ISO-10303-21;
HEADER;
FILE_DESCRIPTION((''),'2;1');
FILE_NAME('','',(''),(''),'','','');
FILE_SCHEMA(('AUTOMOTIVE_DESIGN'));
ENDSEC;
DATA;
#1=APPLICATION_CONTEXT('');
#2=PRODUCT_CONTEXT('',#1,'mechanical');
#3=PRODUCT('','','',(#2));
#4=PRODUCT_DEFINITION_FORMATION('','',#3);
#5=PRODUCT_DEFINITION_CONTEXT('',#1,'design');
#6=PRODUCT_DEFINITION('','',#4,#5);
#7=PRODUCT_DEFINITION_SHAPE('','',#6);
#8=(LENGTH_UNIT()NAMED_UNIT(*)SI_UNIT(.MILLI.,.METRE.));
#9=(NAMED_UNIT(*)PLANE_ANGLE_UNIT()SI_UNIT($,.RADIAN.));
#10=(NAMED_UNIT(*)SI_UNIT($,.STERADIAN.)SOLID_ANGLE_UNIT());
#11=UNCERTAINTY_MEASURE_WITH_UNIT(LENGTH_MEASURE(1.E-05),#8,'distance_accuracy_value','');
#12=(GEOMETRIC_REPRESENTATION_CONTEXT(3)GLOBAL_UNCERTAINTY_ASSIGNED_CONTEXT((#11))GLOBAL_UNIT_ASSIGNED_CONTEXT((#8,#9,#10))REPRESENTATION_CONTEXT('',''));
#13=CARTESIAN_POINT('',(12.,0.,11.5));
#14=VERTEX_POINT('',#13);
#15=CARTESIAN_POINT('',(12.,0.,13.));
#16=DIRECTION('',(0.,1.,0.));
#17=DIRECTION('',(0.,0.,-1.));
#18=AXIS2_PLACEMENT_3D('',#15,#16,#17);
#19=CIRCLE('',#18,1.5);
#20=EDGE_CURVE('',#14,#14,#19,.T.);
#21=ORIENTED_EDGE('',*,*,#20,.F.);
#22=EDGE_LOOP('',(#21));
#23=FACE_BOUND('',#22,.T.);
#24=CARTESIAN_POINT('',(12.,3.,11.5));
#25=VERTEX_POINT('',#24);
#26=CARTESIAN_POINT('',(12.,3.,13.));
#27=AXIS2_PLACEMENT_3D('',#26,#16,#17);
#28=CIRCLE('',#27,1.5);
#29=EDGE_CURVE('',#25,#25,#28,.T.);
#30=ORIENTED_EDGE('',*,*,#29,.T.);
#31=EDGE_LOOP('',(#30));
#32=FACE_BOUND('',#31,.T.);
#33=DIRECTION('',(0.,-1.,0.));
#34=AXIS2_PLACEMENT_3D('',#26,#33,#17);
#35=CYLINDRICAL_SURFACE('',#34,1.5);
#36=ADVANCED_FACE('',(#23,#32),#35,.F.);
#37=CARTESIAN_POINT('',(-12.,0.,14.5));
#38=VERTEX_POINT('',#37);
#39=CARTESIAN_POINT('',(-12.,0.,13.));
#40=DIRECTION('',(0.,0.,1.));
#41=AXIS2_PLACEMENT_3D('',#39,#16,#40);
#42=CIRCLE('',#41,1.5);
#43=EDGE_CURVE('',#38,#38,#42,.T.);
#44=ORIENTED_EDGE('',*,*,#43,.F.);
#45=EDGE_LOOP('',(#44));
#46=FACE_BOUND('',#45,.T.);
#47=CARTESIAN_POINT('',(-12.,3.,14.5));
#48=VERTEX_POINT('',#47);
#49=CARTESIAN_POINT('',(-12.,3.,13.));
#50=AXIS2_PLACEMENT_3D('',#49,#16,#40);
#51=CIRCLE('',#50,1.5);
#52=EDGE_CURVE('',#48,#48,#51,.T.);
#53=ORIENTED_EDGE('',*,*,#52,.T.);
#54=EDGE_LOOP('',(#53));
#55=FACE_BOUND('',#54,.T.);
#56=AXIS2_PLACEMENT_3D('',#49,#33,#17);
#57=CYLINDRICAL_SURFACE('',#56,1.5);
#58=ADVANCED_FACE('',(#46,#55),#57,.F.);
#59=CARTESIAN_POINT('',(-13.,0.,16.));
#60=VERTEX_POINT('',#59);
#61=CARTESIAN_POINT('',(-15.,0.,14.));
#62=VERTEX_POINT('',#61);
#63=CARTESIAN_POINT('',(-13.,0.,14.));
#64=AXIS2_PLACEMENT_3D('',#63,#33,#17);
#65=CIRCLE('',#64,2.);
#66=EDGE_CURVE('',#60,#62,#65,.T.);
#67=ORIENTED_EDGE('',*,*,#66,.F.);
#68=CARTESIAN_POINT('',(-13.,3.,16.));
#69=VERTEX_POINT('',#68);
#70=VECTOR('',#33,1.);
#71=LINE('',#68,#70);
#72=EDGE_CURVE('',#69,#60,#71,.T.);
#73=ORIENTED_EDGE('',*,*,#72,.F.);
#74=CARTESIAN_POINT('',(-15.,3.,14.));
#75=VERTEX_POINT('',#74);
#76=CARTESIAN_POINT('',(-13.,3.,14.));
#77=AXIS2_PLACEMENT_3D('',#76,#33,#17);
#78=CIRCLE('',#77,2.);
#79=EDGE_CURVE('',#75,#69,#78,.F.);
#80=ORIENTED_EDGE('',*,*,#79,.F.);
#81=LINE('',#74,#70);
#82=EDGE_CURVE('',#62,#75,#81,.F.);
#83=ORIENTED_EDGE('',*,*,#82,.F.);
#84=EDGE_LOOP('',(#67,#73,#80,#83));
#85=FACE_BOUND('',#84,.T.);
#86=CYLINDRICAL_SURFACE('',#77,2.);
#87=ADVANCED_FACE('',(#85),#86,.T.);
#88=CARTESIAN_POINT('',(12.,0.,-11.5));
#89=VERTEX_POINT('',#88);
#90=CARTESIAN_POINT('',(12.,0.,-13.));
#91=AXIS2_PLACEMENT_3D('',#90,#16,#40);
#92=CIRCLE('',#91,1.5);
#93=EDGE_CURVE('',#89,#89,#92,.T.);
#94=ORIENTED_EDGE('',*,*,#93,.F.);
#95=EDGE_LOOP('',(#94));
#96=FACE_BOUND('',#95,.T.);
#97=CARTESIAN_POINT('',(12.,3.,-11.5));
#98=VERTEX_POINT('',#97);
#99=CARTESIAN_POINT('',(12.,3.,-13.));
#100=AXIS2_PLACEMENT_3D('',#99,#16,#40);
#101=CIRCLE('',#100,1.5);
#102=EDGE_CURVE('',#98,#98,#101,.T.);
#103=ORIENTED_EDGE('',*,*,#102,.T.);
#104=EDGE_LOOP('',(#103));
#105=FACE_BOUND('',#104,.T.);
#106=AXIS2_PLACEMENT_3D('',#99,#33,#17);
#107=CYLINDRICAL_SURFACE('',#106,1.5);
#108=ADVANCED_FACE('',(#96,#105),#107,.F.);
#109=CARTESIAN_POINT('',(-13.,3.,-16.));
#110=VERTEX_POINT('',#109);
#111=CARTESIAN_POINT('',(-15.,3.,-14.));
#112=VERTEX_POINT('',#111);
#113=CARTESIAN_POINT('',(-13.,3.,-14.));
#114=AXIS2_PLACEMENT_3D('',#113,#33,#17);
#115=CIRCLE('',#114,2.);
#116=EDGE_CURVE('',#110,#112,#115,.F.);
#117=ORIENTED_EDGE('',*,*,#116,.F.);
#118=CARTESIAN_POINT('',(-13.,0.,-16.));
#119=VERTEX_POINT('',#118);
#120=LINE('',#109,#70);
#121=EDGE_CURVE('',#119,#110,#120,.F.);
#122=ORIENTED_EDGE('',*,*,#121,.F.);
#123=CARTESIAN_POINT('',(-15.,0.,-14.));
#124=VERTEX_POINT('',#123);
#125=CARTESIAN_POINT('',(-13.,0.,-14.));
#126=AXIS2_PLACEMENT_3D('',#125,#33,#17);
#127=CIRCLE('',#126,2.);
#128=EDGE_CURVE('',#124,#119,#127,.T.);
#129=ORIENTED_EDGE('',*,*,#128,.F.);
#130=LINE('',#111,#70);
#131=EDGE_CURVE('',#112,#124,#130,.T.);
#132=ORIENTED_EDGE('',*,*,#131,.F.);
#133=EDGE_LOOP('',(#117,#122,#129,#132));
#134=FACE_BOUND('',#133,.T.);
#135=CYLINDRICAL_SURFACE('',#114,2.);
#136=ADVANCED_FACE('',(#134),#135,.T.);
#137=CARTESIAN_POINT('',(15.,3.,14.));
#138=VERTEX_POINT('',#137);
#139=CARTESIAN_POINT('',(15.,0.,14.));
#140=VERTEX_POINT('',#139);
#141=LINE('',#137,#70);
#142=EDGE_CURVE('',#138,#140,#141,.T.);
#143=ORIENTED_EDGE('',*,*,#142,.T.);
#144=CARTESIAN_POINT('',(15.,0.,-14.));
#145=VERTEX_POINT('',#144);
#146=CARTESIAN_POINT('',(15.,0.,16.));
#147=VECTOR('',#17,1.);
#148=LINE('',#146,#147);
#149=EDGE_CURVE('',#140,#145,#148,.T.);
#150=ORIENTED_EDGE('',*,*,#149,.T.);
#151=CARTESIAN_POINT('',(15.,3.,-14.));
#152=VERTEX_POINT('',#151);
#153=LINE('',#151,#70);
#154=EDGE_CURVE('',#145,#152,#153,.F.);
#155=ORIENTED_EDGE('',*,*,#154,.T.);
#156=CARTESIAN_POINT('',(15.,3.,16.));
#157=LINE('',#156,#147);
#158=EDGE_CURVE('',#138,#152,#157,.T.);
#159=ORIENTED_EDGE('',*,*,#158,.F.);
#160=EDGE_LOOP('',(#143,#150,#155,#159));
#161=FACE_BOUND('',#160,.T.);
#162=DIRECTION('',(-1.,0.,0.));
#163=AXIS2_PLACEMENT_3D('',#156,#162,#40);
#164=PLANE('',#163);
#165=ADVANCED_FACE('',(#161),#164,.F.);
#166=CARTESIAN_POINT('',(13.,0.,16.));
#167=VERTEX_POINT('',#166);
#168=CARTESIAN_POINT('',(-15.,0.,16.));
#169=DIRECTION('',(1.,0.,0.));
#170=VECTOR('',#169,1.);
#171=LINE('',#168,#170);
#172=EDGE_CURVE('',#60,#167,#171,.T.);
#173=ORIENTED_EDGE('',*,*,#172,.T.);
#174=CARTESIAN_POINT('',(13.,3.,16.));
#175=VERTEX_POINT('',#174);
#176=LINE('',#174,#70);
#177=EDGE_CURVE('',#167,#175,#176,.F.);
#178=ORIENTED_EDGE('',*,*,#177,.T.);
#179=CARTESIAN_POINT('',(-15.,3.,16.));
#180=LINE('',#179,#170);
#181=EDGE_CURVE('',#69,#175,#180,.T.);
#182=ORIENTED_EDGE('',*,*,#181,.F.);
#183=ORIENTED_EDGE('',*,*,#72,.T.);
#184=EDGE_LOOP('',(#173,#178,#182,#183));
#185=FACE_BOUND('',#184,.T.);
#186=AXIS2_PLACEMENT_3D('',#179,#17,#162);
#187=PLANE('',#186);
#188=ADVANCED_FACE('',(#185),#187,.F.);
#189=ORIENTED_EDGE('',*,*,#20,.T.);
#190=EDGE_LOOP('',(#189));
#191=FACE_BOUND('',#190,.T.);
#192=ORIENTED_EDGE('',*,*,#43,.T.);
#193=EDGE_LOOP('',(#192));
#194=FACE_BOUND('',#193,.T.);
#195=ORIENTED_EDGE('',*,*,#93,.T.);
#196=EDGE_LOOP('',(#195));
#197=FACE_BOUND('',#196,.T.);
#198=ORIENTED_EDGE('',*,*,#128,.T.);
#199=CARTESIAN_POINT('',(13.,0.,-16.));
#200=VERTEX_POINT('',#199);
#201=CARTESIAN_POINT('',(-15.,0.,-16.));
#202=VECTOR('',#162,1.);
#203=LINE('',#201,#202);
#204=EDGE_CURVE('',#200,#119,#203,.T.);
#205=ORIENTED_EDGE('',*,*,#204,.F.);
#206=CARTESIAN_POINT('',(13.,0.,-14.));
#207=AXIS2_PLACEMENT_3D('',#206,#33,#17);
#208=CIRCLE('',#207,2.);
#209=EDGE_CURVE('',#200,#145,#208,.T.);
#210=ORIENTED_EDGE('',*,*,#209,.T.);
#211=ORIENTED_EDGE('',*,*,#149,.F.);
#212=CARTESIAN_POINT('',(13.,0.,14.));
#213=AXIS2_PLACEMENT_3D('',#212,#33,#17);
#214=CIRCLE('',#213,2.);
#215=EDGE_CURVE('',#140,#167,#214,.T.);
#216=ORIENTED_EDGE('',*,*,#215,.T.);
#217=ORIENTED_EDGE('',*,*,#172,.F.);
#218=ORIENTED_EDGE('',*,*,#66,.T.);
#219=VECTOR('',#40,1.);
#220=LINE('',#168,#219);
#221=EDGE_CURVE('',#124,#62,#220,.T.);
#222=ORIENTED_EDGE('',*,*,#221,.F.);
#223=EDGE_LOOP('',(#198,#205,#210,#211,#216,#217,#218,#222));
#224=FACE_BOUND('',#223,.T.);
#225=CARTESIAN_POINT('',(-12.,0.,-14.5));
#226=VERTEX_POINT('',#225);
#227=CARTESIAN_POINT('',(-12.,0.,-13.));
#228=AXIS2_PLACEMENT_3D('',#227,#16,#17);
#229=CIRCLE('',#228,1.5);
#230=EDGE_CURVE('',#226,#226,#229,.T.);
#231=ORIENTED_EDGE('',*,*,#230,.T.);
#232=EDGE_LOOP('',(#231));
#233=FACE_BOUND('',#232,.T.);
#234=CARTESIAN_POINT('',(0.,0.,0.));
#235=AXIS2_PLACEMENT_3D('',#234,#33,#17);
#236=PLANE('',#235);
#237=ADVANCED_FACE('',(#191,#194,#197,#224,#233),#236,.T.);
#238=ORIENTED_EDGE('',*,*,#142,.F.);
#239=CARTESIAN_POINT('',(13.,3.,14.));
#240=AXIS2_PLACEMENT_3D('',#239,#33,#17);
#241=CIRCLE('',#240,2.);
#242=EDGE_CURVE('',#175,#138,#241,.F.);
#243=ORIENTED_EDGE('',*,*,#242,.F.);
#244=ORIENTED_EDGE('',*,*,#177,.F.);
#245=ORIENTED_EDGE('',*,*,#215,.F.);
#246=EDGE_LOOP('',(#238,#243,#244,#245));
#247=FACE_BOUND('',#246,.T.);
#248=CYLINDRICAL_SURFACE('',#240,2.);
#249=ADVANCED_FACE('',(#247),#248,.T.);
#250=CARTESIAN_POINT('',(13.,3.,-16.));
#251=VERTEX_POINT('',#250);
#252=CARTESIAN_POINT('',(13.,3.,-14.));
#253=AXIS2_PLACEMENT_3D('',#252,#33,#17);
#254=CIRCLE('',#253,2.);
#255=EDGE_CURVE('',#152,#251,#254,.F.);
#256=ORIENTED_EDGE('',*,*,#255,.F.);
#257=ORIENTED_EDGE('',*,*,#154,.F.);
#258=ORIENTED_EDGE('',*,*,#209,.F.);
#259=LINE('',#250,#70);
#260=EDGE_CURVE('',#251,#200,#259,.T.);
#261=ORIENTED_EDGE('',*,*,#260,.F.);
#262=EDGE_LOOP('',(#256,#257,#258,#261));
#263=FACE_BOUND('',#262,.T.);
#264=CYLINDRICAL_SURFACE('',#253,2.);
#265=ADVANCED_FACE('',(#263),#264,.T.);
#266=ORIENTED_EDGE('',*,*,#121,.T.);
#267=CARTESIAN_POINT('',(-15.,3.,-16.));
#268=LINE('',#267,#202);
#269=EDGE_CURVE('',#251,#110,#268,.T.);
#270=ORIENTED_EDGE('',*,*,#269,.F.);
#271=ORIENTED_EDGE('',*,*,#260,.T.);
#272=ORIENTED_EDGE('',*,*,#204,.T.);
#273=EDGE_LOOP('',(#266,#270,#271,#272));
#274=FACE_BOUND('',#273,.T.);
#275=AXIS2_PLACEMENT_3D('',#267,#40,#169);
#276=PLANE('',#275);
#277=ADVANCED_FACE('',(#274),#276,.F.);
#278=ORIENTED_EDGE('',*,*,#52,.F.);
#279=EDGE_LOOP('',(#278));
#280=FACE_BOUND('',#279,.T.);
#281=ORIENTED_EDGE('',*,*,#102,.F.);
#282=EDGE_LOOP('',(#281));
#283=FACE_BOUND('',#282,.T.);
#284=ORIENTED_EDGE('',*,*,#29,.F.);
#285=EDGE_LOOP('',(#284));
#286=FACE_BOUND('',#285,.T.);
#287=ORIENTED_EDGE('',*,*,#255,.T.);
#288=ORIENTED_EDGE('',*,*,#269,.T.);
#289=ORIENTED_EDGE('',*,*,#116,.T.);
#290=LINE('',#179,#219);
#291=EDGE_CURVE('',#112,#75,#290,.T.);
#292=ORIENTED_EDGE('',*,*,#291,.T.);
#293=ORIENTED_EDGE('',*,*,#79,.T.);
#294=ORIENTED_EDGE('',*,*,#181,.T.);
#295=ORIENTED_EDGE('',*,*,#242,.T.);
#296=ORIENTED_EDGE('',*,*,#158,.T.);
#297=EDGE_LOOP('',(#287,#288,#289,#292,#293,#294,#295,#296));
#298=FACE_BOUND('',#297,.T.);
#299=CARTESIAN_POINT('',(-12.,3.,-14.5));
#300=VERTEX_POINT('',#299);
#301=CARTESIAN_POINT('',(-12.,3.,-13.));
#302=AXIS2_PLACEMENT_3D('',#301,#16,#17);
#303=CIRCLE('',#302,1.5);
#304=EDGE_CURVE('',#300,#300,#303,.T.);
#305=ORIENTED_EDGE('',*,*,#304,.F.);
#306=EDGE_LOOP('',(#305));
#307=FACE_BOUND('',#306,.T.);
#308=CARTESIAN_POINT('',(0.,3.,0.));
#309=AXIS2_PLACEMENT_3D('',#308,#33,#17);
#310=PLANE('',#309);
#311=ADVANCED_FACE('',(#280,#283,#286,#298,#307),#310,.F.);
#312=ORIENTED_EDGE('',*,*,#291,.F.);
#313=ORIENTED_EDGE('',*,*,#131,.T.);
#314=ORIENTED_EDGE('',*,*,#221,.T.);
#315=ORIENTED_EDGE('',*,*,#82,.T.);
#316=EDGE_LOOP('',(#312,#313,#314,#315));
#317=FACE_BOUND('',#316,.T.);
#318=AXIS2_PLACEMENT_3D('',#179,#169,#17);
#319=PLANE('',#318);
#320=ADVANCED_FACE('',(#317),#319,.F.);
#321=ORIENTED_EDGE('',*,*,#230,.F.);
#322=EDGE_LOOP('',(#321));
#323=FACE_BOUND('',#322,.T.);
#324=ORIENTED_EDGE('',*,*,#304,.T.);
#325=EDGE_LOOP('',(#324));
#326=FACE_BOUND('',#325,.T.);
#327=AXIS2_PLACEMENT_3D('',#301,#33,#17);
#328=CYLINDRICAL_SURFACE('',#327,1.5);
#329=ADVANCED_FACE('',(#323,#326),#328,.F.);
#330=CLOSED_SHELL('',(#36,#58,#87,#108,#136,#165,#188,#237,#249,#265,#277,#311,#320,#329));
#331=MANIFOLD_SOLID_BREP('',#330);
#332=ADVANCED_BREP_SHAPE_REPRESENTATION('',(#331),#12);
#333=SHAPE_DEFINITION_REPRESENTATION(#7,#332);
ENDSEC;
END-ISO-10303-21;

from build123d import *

# Parameters (mm, degrees)
SKETCH_1_W      = 30
SKETCH_1_H      = 32
SKETCH_1_R      = 1.5
EXTRUDE_1_DEPTH = 3
FILLET_1_R      = 2


with BuildPart() as part:
    # 草图1 → 凸台-拉伸1 (new body)
    with BuildSketch(Plane(origin=(0, 0, 0), x_dir=(1, 0, 0), z_dir=(0, 1, 0))):
        Rectangle(SKETCH_1_W, SKETCH_1_H)
        with Locations(Location((12, 13, 0), (0, 0, 270))):
            Circle(SKETCH_1_R, mode=Mode.SUBTRACT)
        with Locations(Location((-12, 13, 0), (0, 0, 90))):
            Circle(SKETCH_1_R, mode=Mode.SUBTRACT)
        with Locations(Location((12, -13, 0), (0, 0, 90))):
            Circle(SKETCH_1_R, mode=Mode.SUBTRACT)
        with Locations(Location((-12, -13, 0), (0, 0, 270))):
            Circle(SKETCH_1_R, mode=Mode.SUBTRACT)
    extrude(amount=EXTRUDE_1_DEPTH)

    # 圆角1
    fillet_1_edges = [part.edges().sort_by_distance(p)[0] for p in [
        (15, 1.5, 16),
        (-15, 1.5, 16),
        (-15, 1.5, -16),
        (15, 1.5, -16),
    ]]
    fillet(fillet_1_edges, radius=FILLET_1_R)


solid = part.part
